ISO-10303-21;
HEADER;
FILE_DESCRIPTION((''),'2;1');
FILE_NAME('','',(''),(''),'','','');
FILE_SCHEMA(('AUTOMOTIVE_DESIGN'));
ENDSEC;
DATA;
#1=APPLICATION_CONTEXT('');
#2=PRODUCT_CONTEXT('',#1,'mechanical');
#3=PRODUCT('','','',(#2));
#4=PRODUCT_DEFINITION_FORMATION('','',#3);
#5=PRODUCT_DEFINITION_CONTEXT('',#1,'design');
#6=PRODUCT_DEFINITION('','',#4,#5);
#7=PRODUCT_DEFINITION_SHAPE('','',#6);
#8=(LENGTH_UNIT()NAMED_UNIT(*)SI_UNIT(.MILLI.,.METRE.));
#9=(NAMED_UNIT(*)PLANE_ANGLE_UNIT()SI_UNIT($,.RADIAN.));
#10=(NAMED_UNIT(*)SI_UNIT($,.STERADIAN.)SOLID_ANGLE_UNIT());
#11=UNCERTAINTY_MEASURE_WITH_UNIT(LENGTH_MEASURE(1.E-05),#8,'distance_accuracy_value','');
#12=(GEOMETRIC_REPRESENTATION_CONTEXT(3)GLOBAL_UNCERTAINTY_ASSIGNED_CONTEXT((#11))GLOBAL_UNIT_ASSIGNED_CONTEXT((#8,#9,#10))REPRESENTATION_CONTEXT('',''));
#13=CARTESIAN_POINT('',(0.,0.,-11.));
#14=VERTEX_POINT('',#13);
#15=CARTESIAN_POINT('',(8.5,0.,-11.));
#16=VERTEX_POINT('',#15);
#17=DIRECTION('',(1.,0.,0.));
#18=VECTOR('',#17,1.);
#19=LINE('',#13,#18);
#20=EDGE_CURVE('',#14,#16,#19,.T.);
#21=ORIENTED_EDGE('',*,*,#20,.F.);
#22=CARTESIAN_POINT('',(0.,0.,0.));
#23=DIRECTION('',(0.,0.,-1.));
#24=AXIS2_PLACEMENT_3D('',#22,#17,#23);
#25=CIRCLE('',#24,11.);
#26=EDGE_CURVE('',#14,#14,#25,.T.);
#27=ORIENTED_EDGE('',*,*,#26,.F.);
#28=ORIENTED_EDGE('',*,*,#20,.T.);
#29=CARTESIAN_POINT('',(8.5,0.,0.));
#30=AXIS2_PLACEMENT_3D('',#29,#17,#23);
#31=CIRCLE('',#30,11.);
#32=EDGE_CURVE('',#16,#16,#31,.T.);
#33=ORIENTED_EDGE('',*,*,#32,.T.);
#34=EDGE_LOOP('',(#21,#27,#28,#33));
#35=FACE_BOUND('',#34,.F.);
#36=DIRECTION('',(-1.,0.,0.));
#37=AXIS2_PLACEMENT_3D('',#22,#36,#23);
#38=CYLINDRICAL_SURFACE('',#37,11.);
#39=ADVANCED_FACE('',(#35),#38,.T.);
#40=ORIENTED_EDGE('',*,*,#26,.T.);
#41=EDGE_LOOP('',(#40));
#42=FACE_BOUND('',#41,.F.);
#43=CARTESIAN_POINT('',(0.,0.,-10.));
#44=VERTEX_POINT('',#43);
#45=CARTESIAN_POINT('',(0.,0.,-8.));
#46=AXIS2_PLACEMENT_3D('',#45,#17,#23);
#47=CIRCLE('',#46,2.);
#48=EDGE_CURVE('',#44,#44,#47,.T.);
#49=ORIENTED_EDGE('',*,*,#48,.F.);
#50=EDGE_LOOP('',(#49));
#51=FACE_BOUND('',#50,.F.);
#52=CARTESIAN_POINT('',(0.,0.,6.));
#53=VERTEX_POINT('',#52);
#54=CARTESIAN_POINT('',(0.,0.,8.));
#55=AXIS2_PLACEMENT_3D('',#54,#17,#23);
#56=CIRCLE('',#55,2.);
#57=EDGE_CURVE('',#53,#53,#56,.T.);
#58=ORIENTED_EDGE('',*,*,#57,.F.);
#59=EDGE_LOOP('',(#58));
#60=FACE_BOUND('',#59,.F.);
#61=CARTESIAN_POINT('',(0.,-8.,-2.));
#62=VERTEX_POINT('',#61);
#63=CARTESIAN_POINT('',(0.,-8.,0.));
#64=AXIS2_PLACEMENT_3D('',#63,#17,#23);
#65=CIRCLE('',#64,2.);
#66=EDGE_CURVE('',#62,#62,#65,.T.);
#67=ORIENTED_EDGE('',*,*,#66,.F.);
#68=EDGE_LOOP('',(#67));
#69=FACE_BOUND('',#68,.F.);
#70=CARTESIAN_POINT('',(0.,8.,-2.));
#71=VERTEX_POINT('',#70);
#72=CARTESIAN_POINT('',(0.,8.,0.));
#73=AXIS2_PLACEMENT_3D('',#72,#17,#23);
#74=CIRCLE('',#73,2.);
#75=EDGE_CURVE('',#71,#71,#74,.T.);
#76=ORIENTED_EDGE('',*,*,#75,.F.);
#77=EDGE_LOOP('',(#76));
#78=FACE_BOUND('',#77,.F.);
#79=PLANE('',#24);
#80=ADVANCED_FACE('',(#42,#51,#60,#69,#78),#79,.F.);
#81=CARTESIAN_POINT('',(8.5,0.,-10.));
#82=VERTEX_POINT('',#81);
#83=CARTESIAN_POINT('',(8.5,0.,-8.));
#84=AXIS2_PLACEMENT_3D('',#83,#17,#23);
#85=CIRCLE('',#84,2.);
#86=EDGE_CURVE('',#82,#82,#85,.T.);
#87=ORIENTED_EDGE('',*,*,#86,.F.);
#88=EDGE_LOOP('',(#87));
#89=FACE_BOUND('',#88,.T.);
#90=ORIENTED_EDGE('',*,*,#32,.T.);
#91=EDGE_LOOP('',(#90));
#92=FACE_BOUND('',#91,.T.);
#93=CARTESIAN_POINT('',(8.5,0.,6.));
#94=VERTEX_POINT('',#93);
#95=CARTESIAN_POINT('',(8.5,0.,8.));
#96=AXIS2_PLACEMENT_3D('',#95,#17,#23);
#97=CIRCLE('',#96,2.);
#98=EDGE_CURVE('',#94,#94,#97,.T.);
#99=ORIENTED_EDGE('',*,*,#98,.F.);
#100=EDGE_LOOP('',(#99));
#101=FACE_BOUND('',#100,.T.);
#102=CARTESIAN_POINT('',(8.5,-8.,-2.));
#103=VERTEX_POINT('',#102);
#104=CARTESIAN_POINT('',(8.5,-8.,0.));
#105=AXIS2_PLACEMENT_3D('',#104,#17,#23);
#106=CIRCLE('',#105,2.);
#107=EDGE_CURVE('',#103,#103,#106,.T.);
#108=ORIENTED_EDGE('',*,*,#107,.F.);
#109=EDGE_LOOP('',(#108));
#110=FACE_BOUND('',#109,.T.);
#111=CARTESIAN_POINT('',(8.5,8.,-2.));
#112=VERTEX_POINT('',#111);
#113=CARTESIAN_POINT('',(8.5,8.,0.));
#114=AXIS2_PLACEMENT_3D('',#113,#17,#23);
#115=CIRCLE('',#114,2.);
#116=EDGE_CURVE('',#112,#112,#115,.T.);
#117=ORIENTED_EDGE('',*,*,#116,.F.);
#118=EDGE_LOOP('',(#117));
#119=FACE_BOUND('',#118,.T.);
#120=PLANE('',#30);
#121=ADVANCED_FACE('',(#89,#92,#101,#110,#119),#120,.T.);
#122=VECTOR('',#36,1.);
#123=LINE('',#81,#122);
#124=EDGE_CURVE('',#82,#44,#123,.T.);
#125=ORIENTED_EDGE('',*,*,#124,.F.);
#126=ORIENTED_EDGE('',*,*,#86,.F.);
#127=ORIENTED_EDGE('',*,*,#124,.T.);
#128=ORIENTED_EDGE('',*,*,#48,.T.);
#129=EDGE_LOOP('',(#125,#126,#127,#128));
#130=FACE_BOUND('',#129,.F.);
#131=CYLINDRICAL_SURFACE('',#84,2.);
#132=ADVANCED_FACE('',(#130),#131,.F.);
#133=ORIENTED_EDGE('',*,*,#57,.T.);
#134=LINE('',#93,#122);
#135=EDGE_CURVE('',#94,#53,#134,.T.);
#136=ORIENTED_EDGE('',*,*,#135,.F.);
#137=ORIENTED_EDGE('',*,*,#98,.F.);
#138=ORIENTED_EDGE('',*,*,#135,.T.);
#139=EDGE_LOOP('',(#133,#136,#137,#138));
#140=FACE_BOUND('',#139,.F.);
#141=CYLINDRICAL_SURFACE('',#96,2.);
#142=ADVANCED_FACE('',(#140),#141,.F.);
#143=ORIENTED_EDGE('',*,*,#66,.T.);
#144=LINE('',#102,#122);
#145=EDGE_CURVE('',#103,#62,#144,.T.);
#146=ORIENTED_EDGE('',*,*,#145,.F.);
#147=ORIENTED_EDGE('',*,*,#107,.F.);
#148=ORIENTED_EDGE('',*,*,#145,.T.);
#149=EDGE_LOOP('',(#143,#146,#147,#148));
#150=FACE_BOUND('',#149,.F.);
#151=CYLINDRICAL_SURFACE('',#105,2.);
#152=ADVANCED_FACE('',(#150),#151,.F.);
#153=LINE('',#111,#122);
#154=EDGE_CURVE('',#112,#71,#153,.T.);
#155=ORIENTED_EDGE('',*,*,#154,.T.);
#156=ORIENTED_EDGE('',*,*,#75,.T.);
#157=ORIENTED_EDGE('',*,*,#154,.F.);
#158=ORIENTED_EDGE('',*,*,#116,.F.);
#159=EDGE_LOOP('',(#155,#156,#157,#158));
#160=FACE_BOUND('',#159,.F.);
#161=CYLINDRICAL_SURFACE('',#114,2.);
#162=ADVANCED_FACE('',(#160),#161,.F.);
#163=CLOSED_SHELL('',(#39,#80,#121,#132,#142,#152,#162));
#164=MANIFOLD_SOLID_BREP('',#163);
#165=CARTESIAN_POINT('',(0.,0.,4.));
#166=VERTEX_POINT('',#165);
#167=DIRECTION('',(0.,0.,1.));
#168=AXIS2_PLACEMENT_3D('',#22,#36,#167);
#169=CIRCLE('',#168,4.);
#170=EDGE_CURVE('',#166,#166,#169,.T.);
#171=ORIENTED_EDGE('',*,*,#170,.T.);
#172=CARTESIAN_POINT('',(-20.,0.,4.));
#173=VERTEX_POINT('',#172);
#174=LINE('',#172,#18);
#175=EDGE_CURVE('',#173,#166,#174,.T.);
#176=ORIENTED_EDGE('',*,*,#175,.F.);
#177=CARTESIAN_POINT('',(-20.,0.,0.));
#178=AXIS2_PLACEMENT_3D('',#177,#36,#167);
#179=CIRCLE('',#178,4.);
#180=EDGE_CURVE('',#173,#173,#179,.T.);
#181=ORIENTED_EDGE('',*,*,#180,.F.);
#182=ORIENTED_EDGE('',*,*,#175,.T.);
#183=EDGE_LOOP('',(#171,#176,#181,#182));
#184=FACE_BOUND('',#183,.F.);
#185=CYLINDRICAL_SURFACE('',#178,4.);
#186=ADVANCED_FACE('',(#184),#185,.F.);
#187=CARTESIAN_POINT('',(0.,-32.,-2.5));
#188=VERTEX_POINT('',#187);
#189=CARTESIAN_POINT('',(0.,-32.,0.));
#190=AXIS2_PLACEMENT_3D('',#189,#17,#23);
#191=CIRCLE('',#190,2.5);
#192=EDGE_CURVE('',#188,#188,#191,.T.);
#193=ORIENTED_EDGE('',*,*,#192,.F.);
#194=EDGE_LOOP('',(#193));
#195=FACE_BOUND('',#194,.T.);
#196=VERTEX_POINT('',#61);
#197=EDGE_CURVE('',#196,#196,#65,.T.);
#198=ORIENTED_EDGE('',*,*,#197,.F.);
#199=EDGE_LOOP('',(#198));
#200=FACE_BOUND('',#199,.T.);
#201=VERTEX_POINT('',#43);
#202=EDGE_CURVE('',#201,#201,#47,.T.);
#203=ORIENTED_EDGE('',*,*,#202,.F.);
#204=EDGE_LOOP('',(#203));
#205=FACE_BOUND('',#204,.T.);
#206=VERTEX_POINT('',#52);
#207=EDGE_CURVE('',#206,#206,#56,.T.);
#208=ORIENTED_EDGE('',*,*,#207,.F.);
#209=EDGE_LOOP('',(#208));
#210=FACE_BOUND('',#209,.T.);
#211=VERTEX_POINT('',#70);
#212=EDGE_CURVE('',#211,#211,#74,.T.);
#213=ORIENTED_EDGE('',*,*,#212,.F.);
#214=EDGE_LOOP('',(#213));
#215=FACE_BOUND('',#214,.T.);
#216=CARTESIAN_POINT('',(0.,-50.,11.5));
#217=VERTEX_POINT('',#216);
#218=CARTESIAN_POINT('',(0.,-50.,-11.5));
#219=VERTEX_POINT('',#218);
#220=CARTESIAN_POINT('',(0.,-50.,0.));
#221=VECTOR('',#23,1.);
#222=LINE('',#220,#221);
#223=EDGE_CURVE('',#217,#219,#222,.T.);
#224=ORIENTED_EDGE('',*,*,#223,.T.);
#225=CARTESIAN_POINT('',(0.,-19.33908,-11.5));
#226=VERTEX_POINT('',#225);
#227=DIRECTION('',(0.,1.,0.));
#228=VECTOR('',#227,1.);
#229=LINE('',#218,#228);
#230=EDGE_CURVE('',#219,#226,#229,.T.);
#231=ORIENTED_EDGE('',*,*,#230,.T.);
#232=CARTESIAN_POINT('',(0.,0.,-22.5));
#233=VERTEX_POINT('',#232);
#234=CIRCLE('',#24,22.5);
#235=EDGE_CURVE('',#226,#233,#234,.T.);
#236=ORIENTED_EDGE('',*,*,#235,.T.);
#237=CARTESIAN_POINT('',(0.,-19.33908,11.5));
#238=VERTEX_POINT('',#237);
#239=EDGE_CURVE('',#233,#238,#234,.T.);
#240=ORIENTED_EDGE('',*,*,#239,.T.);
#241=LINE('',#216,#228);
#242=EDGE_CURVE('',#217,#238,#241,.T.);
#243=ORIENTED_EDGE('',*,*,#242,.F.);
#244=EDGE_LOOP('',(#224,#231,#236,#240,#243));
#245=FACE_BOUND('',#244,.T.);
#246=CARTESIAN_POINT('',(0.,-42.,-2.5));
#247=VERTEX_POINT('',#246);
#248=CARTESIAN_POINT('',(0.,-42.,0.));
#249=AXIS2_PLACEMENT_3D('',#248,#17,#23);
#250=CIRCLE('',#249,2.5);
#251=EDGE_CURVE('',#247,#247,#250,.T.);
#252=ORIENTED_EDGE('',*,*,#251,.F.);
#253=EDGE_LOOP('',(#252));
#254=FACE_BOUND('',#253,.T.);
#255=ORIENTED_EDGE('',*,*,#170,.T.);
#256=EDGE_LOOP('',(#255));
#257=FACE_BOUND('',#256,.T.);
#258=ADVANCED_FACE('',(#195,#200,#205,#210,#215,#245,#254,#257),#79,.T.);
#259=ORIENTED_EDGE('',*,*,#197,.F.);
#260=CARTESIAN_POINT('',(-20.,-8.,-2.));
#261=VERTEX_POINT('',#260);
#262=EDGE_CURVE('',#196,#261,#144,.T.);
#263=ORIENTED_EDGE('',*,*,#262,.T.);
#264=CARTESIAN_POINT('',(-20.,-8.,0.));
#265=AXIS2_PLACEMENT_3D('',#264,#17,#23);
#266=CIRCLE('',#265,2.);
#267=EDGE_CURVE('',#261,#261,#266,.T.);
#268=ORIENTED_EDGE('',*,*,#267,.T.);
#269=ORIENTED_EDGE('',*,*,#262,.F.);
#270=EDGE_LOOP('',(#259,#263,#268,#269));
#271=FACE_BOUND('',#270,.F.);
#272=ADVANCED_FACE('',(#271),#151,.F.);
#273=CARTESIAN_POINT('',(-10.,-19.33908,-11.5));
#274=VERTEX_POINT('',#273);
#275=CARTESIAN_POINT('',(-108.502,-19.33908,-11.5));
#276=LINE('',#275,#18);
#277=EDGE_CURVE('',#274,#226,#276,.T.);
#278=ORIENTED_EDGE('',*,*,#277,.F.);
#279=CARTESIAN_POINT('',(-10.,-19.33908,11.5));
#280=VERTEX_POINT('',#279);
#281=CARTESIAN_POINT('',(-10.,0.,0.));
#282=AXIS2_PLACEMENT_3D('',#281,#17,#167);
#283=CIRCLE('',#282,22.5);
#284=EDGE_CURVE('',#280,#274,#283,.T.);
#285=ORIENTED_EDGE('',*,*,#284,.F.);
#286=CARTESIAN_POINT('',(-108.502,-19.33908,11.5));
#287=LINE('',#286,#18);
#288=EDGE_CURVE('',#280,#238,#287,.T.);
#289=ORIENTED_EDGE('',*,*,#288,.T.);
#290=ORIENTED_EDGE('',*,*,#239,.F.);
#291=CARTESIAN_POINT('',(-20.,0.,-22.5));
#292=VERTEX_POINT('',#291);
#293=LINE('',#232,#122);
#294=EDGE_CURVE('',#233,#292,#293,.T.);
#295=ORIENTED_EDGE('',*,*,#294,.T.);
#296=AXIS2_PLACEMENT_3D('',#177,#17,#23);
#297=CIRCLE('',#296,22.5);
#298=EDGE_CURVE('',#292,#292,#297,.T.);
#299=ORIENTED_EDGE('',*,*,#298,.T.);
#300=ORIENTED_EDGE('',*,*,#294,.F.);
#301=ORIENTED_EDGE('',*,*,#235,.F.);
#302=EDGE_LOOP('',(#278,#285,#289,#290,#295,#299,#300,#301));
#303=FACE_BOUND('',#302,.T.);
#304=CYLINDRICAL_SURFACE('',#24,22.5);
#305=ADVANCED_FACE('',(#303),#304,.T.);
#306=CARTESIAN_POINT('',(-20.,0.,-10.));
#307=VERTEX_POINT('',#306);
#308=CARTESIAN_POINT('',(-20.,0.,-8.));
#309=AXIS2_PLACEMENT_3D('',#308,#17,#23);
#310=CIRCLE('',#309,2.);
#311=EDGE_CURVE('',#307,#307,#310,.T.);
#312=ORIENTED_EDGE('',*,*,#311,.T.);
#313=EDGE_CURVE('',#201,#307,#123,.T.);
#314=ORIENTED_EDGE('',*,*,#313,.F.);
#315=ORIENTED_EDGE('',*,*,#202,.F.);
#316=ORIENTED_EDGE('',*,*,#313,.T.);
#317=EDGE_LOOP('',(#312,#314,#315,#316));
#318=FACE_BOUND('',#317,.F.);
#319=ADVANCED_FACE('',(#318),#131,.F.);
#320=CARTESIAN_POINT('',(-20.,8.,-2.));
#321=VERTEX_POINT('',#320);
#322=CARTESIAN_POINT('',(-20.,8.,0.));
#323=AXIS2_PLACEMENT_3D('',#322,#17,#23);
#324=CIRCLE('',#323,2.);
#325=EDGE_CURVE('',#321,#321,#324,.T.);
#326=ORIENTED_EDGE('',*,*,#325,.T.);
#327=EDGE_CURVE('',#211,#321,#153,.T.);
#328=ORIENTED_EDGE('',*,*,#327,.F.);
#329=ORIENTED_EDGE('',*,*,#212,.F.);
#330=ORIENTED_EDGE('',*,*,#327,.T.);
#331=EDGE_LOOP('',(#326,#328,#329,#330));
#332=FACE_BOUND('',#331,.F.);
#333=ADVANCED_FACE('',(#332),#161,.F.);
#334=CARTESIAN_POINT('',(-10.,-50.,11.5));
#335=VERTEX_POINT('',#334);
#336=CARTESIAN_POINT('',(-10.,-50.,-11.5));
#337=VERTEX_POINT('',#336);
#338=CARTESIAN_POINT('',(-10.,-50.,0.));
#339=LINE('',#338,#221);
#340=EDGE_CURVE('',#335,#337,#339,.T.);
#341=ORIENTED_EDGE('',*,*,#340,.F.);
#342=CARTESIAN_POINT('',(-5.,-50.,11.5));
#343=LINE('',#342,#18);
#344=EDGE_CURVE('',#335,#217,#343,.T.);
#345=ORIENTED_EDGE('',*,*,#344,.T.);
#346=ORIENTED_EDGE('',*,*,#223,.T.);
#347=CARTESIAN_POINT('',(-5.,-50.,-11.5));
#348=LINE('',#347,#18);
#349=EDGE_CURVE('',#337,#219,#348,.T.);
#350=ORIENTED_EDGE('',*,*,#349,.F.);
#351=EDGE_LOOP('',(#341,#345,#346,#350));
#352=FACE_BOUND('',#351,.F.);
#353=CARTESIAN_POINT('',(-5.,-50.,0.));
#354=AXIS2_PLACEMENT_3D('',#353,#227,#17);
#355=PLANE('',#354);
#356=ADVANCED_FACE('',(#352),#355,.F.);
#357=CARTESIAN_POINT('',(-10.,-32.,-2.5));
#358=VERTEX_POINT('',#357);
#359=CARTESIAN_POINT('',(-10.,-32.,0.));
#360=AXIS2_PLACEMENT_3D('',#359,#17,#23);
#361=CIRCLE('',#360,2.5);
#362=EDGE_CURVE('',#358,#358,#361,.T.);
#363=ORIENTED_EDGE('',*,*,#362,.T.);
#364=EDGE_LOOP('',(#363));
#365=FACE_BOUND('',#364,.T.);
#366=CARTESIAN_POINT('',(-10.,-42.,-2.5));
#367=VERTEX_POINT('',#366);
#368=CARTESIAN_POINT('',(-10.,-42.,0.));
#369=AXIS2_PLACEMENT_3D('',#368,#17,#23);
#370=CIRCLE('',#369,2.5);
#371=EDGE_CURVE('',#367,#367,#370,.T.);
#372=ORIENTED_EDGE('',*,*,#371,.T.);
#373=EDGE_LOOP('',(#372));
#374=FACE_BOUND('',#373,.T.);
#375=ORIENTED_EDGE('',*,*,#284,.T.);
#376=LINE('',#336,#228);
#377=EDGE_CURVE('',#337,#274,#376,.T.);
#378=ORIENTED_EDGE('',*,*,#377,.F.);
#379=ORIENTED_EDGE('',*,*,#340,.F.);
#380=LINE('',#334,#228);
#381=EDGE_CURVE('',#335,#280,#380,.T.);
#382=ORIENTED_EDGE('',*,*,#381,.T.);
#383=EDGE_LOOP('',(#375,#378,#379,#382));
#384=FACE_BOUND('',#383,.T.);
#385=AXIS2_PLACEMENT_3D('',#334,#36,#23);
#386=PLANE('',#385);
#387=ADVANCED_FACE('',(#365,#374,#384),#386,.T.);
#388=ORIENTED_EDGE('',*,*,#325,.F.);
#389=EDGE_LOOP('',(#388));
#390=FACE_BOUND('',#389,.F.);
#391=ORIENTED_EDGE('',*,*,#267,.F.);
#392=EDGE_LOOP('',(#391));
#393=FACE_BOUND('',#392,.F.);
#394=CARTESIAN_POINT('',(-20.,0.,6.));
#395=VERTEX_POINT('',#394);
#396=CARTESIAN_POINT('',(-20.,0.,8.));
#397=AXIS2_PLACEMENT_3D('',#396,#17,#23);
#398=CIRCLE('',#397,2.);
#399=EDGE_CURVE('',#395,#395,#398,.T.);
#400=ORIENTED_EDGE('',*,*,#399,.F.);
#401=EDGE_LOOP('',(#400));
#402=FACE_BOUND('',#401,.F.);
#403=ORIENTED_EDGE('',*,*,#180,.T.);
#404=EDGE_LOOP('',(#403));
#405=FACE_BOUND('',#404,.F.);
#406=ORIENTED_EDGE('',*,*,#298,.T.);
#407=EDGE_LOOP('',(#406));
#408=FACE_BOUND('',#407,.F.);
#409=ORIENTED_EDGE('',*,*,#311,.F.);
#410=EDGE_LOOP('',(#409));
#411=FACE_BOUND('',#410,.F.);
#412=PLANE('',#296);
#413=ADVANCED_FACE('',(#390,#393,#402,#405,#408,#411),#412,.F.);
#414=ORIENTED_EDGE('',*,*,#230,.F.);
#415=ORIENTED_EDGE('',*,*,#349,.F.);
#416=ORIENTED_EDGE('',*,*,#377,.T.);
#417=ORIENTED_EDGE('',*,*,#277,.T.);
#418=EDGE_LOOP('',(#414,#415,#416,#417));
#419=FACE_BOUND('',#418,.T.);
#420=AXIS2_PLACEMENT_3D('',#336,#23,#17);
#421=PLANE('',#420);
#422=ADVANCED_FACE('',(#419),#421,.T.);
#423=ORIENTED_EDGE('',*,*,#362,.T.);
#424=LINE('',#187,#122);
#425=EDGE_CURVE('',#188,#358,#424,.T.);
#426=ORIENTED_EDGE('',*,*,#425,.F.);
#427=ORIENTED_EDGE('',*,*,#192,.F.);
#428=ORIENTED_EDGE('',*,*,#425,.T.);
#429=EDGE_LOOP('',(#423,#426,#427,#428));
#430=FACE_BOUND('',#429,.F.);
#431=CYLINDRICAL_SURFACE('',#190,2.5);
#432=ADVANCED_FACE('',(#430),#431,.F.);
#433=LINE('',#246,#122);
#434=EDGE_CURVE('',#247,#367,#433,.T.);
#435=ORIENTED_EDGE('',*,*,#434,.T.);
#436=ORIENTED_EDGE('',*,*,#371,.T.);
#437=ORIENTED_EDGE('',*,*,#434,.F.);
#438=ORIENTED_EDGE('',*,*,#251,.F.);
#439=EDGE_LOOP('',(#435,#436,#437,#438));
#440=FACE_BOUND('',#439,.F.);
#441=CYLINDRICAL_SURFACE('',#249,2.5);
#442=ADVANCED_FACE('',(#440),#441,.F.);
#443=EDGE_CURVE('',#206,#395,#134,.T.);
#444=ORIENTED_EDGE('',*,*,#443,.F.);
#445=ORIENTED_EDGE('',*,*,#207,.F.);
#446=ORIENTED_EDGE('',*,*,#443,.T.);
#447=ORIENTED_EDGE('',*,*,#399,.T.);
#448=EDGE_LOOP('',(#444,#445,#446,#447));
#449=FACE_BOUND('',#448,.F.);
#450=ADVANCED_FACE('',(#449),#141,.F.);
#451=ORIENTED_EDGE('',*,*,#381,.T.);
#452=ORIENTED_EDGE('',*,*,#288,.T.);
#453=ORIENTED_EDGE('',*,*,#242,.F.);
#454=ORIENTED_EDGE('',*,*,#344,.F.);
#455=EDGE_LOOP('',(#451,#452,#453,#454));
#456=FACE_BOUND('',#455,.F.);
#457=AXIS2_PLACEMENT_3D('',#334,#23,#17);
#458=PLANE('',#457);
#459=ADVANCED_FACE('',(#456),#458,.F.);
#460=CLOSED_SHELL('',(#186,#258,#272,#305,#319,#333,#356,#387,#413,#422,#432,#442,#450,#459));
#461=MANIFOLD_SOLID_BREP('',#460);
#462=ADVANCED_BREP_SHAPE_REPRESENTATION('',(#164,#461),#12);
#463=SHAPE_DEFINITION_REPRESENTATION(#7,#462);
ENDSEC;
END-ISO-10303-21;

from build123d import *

# Parameters (mm, degrees)
SKETCH2_R                 = 22.5
BOSS_EXTRUDE8_DEPTH       = 20
SKETCH2_10_R              = 11
BOSS_EXTRUDE9_DEPTH       = 8.5
BOSS_EXTRUDE10_REACH      = 80.502
BOSS_EXTRUDE10_END_RADIUS = 22.5
SKETCH8_W                 = 10
SKETCH8_H                 = 23
SKETCH9_R                 = 2.5
CUT_EXTRUDE3_DEPTH        = 59.36308765
SKETCH10_R                = 4
CUT_EXTRUDE4_DEPTH        = 20
SKETCH11_R                = 2
CUT_EXTRUDE7_DEPTH        = 62.794012655


with BuildPart() as part:
    # Sketch2 → Boss-Extrude8 (new body)
    with BuildSketch(Plane(origin=(0, 0, 0), x_dir=(0, 0, -1), z_dir=(1, 0, 0))):
        Circle(SKETCH2_R)
    extrude(amount=-BOSS_EXTRUDE8_DEPTH)

    # Boss-Extrude10: up to this cylinder (the profile starts outside it)
    boss_extrude10_end = Plane(origin=(-5, 0, 0), z_dir=(1, 0, 0)) * Cylinder(BOSS_EXTRUDE10_END_RADIUS, 207.004, mode=Mode.PRIVATE)
    # Sketch8 → Boss-Extrude10 (add, up to the surface)
    with BuildSketch(Plane(origin=(0, -50, 0), x_dir=(1, 0, 0), z_dir=(0, 1, 0)), mode=Mode.PRIVATE) as boss_extrude10_sk1:
        with Locations((-5, 0)):
            Rectangle(SKETCH8_W, SKETCH8_H)
    boss_extrude10_tool1 = extrude(boss_extrude10_sk1.sketch, amount=BOSS_EXTRUDE10_REACH, mode=Mode.PRIVATE) - boss_extrude10_end
    add(boss_extrude10_tool1.solids().sort_by_distance((-5, -50, 0))[0])

    # Sketch9 → Cut-Extrude3 (cut, through all)
    with BuildSketch(Plane(origin=(0, 0, 0), x_dir=(0, 0, -1), z_dir=(1, 0, 0))):
        with Locations((0, -42)):
            Circle(SKETCH9_R)
        with Locations((0, -32)):
            Circle(SKETCH9_R)
    extrude(amount=-CUT_EXTRUDE3_DEPTH, mode=Mode.SUBTRACT)

    # Sketch10 → Cut-Extrude4 (cut)
    with BuildSketch(Plane.ZY.offset(20)):
        Circle(SKETCH10_R)
    extrude(amount=-CUT_EXTRUDE4_DEPTH, mode=Mode.SUBTRACT)


with BuildPart() as body_2:
    # Sketch2<10> → Boss-Extrude9 (new body)
    with BuildSketch(Plane(origin=(0, 0, 0), x_dir=(0, 0, -1), z_dir=(1, 0, 0))):
        Circle(SKETCH2_10_R)
    extrude(amount=BOSS_EXTRUDE9_DEPTH)


with BuildPart() as cut_extrude7_tool:
    # Sketch11 → Cut-Extrude7 (new, through all)
    with BuildSketch(Plane(origin=(8.5, 0, 0), x_dir=(0, 0, -1), z_dir=(1, 0, 0))):
        with Locations((0, 8)):
            Circle(SKETCH11_R)
        with Locations((8, 0)):
            Circle(SKETCH11_R)
        with Locations((0, -8)):
            Circle(SKETCH11_R)
        with Locations((-8, 0)):
            Circle(SKETCH11_R)
    extrude(amount=-CUT_EXTRUDE7_DEPTH)


with BuildPart() as part_1:
    add(part.part)

    # Cut-Extrude7: cut by cut_extrude7_tool
    add(cut_extrude7_tool.part, mode=Mode.SUBTRACT)


with BuildPart() as body_2_1:
    add(body_2.part)

    # Cut-Extrude7: cut by cut_extrude7_tool
    add(cut_extrude7_tool.part, mode=Mode.SUBTRACT)


solid = Compound([part_1.part, body_2_1.part])
